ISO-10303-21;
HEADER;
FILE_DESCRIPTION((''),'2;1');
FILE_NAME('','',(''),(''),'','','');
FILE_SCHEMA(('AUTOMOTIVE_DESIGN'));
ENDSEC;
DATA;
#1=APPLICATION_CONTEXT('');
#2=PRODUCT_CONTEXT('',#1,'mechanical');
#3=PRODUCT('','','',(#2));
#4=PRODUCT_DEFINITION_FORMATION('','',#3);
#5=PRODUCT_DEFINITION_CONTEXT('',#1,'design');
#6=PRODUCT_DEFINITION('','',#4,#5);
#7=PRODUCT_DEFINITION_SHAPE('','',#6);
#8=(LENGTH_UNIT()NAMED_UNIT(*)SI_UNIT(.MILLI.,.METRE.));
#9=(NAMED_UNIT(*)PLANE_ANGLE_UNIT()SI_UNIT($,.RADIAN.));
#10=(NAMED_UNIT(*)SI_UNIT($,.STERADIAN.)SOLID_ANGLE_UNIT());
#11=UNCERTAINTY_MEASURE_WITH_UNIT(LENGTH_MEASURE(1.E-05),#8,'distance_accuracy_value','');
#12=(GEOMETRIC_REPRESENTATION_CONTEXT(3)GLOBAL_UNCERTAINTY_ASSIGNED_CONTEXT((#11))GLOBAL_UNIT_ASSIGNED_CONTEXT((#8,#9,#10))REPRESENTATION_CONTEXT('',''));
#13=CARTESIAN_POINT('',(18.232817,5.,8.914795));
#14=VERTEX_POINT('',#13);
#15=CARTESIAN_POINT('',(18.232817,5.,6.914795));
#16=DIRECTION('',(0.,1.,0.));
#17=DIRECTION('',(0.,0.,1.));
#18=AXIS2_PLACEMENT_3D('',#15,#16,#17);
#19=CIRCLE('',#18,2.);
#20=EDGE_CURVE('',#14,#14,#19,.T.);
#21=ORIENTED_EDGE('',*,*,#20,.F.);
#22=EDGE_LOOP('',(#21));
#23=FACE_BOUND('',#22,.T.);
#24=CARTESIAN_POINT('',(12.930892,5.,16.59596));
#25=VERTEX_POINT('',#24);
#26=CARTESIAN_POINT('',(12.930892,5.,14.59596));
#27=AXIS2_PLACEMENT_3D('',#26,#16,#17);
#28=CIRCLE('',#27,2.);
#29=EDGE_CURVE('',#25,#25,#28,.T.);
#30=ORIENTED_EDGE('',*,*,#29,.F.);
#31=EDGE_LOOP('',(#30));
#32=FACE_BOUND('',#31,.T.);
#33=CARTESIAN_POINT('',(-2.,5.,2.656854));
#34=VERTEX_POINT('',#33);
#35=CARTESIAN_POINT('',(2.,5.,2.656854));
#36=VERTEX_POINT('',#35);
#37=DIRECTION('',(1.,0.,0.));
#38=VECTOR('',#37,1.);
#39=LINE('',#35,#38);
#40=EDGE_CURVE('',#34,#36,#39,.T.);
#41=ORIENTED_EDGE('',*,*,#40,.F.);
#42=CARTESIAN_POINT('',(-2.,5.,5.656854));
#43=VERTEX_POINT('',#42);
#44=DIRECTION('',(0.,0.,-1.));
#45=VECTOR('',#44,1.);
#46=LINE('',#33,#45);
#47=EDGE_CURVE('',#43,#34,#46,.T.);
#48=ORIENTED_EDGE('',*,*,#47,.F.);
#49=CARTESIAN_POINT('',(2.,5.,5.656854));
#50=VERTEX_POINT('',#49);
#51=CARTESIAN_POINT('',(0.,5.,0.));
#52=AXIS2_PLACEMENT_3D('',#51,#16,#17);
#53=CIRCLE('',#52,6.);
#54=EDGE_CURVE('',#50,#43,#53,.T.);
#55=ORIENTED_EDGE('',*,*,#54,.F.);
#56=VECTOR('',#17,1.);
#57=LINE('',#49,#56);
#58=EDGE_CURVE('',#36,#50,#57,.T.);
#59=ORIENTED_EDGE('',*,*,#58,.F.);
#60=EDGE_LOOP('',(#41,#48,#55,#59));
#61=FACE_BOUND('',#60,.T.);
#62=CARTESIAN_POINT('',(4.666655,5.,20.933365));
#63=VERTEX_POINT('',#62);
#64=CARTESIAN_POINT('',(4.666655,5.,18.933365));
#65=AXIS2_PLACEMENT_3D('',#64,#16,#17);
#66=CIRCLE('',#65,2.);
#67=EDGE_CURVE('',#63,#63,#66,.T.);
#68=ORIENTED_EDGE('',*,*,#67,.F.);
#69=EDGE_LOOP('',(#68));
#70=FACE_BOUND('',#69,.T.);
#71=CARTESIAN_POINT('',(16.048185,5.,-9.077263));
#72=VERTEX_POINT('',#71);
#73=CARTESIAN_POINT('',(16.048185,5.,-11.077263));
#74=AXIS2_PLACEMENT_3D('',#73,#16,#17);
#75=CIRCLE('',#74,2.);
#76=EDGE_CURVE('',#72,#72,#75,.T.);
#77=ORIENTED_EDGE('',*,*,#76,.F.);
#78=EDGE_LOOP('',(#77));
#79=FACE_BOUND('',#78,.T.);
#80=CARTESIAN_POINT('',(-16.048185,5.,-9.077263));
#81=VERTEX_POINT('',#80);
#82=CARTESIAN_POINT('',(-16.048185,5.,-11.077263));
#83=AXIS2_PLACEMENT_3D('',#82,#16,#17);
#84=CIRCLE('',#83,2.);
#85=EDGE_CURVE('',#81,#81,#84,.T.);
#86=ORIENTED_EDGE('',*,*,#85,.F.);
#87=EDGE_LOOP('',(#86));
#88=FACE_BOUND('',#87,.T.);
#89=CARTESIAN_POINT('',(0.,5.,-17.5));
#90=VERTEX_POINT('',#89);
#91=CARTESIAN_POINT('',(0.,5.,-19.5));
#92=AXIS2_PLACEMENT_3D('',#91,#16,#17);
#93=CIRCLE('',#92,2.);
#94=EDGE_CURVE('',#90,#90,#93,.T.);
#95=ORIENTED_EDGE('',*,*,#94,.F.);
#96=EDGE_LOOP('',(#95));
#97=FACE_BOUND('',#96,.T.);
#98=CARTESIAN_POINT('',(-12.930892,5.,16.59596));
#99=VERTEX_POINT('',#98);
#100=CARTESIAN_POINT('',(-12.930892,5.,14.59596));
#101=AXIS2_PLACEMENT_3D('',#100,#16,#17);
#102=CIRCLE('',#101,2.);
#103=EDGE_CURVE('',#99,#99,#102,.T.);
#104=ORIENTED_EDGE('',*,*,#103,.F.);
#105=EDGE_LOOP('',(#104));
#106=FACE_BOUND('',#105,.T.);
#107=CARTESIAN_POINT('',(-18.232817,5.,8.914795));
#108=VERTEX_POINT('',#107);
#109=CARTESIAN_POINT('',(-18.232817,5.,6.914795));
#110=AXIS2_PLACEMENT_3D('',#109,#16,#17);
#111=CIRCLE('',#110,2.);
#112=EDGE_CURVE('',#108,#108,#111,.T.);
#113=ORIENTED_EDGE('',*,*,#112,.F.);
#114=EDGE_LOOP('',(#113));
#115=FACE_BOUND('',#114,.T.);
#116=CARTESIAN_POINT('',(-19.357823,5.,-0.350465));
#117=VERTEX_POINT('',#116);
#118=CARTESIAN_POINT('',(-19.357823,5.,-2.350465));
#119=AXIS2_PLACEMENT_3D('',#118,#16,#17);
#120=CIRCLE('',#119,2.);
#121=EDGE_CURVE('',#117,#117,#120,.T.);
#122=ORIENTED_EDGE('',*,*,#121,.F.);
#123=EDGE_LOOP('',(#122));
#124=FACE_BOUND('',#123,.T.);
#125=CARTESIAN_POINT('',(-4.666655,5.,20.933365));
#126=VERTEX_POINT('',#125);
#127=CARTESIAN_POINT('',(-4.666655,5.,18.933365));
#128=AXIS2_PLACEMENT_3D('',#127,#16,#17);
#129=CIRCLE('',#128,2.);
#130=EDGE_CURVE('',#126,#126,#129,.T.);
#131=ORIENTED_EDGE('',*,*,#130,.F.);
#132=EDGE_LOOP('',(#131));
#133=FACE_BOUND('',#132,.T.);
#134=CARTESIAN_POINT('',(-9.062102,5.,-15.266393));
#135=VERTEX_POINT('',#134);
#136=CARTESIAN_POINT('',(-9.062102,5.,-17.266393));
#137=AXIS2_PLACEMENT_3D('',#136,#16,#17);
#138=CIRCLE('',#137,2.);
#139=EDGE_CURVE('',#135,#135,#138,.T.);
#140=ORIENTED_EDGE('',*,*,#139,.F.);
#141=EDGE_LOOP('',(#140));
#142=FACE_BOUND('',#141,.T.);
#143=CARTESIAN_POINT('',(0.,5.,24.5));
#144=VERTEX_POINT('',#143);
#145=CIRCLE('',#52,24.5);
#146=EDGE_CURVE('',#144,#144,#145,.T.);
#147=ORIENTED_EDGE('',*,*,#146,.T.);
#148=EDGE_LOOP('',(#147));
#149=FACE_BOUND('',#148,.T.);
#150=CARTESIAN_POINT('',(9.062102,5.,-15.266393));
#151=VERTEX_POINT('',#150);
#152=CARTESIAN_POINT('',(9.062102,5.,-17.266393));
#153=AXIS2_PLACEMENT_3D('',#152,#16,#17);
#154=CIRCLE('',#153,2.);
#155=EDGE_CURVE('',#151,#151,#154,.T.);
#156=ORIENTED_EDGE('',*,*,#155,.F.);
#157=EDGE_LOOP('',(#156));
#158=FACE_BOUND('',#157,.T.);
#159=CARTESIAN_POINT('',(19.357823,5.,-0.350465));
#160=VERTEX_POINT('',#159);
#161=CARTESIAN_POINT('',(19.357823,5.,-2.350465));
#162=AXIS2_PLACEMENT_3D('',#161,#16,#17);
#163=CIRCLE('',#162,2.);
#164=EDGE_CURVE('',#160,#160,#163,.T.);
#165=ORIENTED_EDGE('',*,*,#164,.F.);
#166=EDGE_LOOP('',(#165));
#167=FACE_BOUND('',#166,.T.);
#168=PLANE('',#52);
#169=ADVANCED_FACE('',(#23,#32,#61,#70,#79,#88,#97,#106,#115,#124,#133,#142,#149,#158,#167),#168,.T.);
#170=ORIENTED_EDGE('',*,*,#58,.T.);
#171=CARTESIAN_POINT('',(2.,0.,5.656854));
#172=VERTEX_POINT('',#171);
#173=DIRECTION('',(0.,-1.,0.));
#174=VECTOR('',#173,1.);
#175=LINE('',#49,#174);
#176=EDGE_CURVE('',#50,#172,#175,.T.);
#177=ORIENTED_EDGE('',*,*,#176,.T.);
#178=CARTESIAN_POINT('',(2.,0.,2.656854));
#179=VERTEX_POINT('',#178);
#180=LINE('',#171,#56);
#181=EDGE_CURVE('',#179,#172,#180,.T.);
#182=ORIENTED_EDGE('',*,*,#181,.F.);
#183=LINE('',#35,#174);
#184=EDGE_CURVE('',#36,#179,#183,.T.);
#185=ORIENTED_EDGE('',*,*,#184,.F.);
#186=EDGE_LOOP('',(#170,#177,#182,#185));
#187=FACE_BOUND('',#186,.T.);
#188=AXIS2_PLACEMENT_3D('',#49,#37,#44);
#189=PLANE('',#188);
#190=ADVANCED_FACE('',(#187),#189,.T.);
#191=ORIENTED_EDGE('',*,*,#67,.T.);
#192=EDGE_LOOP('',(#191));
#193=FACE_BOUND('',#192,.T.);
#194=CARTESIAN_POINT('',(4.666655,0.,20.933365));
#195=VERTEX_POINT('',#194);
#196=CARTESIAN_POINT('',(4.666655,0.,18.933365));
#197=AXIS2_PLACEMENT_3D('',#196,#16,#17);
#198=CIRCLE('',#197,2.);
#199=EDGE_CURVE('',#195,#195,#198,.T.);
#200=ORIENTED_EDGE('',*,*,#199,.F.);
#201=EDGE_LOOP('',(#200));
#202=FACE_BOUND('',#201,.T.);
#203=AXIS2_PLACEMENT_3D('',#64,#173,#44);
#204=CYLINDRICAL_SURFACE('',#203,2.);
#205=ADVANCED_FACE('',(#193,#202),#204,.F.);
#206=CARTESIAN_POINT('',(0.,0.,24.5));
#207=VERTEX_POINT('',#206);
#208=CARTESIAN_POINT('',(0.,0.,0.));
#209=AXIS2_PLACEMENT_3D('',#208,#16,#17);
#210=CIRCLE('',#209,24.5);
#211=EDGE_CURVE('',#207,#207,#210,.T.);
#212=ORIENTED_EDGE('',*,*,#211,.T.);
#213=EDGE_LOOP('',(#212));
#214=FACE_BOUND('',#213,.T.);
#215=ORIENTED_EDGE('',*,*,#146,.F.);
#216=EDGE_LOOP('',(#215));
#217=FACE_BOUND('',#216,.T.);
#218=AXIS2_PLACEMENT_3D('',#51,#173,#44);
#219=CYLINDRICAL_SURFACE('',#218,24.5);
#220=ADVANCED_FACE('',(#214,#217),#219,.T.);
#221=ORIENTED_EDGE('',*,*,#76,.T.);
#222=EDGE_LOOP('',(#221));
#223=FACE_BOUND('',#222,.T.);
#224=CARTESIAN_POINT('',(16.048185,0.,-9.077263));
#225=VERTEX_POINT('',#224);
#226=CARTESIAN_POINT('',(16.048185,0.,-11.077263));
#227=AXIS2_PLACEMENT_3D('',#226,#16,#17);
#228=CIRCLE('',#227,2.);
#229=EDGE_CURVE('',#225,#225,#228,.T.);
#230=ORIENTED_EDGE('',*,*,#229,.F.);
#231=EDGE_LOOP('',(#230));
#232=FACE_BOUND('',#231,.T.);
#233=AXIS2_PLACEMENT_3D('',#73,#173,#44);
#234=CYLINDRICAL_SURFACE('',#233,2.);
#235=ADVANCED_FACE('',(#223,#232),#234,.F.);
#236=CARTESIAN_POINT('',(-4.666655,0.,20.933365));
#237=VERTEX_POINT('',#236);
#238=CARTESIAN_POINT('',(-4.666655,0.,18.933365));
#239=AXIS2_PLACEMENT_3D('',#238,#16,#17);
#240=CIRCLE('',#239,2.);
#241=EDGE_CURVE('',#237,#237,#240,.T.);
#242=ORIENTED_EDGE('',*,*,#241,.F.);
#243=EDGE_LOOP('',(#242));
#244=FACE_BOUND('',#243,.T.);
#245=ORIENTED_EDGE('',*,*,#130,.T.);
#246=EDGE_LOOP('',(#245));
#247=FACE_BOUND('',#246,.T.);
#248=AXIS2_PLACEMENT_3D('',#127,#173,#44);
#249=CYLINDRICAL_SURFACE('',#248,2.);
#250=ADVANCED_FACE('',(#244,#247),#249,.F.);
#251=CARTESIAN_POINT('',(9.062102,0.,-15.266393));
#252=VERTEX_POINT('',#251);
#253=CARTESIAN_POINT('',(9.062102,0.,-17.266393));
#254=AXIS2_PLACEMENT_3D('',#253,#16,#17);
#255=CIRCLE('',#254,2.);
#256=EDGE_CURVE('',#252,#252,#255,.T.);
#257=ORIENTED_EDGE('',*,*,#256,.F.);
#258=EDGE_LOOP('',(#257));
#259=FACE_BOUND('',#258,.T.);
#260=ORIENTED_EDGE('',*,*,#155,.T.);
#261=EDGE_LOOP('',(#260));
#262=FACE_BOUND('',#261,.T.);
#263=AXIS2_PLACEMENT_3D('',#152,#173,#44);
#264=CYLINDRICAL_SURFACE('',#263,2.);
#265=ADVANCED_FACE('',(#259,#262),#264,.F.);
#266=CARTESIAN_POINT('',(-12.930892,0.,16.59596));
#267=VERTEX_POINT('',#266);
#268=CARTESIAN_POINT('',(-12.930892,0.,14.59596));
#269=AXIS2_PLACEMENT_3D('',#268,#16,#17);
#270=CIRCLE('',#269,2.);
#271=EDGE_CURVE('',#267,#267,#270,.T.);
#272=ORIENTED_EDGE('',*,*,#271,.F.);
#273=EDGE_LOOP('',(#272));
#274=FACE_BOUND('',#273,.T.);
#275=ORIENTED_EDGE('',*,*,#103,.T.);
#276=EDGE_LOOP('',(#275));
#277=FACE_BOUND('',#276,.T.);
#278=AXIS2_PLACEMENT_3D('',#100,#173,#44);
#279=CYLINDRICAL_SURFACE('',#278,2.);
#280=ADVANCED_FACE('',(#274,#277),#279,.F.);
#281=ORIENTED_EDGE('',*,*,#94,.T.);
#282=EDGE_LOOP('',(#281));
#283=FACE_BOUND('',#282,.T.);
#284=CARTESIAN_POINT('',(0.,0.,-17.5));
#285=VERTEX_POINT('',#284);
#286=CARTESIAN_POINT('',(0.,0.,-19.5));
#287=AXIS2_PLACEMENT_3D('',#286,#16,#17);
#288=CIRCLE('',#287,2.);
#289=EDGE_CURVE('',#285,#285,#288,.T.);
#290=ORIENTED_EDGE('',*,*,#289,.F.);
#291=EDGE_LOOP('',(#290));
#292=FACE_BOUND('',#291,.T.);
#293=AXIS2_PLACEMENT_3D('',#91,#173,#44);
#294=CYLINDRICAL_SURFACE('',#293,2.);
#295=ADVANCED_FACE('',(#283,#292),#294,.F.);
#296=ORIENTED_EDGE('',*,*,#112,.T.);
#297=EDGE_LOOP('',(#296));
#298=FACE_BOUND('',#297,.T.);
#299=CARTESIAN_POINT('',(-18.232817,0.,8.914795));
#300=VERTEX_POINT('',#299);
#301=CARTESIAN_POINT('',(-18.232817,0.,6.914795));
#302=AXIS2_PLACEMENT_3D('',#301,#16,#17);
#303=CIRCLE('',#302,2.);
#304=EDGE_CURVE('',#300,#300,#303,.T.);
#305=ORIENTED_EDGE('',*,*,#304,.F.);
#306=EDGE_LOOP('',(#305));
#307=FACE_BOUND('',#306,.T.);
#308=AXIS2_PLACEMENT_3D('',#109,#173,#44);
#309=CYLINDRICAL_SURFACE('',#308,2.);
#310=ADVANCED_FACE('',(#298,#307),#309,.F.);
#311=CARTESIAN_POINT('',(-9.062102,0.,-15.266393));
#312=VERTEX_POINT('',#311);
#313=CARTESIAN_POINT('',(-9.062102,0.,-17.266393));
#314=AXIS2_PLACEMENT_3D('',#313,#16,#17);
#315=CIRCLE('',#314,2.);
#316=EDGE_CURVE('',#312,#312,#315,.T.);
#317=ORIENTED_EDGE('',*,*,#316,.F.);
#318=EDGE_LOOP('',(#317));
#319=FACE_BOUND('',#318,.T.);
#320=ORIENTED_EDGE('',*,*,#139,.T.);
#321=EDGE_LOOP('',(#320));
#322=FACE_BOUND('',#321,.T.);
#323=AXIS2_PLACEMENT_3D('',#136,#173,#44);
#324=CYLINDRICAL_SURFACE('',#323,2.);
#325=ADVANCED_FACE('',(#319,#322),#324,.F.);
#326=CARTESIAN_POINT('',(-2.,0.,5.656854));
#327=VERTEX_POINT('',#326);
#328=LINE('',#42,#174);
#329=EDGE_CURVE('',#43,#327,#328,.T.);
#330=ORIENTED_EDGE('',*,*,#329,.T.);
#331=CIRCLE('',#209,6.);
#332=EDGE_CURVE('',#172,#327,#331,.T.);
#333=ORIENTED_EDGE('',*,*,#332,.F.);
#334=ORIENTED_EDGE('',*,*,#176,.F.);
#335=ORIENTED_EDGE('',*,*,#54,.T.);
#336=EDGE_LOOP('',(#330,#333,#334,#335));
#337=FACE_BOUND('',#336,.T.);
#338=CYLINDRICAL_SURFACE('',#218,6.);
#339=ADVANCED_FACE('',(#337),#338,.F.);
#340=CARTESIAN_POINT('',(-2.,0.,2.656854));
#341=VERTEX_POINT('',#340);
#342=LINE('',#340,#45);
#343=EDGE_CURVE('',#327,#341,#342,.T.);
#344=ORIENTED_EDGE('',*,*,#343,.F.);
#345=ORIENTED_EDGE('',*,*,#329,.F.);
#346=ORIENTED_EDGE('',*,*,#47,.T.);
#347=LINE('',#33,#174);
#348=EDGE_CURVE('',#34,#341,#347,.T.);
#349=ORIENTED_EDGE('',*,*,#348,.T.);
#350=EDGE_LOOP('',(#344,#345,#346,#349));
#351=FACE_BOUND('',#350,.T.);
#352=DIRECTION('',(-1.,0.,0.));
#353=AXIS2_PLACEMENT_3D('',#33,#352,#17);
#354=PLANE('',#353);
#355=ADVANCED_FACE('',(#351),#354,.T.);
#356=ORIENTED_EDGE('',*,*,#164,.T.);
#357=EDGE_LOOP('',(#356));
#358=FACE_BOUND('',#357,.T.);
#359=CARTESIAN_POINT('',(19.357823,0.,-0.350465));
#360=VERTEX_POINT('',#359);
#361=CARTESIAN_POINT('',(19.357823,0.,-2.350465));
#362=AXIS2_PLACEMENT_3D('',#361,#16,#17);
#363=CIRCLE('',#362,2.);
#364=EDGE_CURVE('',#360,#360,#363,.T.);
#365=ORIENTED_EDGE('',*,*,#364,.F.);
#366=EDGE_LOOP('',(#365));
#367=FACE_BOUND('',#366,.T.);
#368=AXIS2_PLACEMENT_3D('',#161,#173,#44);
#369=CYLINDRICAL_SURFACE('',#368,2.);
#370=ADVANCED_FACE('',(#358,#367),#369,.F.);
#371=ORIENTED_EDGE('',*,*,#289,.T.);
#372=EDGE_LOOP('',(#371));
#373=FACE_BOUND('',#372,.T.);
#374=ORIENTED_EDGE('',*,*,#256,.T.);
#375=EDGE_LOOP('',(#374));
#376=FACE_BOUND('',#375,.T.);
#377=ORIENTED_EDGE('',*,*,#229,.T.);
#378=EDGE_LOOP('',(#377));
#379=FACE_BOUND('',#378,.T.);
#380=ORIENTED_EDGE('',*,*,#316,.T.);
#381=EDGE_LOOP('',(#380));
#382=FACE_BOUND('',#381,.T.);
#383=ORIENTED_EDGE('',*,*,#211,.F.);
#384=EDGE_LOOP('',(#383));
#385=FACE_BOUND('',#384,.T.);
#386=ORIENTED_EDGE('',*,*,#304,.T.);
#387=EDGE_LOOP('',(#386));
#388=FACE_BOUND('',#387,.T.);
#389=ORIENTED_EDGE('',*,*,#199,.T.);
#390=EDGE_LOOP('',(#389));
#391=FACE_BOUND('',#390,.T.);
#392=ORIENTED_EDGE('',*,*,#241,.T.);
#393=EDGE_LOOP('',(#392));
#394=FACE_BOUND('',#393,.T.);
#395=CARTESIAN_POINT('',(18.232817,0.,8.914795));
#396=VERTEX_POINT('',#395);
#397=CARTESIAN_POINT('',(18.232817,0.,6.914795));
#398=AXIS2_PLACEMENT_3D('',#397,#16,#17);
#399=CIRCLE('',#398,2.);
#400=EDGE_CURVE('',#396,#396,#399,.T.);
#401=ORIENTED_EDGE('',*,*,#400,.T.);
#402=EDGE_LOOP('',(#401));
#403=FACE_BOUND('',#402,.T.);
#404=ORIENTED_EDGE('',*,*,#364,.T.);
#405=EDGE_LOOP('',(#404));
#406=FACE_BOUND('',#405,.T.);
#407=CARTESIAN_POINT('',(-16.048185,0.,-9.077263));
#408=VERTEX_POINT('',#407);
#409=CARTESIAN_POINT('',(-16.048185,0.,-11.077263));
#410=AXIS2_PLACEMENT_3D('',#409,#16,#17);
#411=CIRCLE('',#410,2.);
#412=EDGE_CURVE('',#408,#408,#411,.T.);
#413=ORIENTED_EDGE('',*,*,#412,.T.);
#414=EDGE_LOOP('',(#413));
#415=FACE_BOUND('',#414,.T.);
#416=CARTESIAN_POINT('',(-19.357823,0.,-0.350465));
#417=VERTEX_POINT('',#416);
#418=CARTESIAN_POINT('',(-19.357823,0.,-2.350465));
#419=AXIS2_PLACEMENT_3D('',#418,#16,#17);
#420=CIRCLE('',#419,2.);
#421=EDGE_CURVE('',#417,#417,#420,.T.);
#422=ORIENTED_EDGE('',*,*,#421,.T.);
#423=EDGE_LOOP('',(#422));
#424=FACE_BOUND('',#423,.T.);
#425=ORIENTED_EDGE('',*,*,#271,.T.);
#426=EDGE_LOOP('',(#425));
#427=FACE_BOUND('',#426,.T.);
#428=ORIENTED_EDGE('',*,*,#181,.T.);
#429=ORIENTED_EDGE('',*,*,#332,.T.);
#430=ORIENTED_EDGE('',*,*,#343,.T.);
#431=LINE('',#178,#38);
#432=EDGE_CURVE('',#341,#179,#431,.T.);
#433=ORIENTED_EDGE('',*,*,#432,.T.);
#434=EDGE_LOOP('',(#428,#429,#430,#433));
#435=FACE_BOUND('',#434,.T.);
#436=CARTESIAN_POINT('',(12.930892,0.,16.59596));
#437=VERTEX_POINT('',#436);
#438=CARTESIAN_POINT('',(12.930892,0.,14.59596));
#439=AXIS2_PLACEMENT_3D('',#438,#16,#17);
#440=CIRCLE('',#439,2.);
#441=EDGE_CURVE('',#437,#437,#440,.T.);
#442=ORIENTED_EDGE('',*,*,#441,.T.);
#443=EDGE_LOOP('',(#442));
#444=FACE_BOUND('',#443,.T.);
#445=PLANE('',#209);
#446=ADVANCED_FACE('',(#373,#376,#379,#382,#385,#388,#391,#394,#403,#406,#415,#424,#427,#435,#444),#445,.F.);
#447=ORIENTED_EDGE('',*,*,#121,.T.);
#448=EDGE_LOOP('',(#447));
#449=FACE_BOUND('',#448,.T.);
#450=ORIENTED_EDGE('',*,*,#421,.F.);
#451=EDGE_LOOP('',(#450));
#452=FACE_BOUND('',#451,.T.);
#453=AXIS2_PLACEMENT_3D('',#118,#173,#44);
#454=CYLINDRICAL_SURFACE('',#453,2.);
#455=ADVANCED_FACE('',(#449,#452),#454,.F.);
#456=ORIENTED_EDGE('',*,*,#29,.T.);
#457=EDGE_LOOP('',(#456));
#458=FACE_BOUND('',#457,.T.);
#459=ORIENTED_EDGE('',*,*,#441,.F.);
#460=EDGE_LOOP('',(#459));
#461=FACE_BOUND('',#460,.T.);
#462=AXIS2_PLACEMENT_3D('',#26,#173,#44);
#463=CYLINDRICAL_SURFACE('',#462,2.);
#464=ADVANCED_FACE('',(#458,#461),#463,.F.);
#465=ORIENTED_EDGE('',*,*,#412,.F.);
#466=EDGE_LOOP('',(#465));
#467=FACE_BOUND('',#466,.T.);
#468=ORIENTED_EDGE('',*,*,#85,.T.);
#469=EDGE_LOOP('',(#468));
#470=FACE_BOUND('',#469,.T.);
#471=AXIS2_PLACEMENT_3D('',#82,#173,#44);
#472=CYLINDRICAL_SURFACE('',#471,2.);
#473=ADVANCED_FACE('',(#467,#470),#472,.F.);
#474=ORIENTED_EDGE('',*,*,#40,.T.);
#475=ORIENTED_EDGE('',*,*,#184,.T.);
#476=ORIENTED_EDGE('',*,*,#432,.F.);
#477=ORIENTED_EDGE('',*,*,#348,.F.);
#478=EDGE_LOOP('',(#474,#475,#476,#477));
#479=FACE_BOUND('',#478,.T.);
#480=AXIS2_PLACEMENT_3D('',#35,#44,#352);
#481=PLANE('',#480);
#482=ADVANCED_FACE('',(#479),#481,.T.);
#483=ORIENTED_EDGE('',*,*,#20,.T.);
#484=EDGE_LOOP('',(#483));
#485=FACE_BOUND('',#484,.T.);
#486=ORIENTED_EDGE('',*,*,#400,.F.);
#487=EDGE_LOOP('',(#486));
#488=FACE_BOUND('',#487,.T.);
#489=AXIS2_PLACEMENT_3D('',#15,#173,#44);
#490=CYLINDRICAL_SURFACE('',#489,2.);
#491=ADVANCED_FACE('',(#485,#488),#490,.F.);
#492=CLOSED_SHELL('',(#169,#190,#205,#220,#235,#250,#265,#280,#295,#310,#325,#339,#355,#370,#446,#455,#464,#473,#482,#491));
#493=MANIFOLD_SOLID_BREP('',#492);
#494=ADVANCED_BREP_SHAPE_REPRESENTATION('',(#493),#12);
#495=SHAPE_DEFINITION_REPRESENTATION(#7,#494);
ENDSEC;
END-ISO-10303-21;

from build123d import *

# Parameters (mm, degrees)
SKETCH1_R           = 24.5
SKETCH1_R_2         = 2
BOSS_EXTRUDE1_DEPTH = 5


with BuildPart() as part:
    # Sketch1 → Boss-Extrude1 (new body)
    with BuildSketch(Plane(origin=(0, 0, 0), x_dir=(1, 0, 0), z_dir=(0, 1, 0))):
        with Locations(Location((0, 0, 0), (0, 0, 270))):
            Circle(SKETCH1_R)
        with Locations(Location((0, 19.5, 0), (0, 0, 270))):
            Circle(SKETCH1_R_2, mode=Mode.SUBTRACT)
        with Locations(Location((9.062101855, 17.2663925, 0), (0, 0, 270))):
            Circle(SKETCH1_R_2, mode=Mode.SUBTRACT)
        with Locations(Location((16.048185385, 11.077262561, 0), (0, 0, 270))):
            Circle(SKETCH1_R_2, mode=Mode.SUBTRACT)
        with Locations(Location((19.357823045, 2.350465265, 0), (0, 0, 270))):
            Circle(SKETCH1_R_2, mode=Mode.SUBTRACT)
        with Locations(Location((18.232816732, -6.914795297, 0), (0, 0, 270))):
            Circle(SKETCH1_R_2, mode=Mode.SUBTRACT)
        with Locations(Location((12.930891836, -14.595959589, 0), (0, 0, 270))):
            Circle(SKETCH1_R_2, mode=Mode.SUBTRACT)
        with Locations(Location((4.666655454, -18.93336544, 0), (0, 0, 270))):
            Circle(SKETCH1_R_2, mode=Mode.SUBTRACT)
        with Locations(Location((-4.666655454, -18.93336544, 0), (0, 0, 270))):
            Circle(SKETCH1_R_2, mode=Mode.SUBTRACT)
        with Locations(Location((-12.930891836, -14.595959589, 0), (0, 0, 270))):
            Circle(SKETCH1_R_2, mode=Mode.SUBTRACT)
        with Locations(Location((-18.232816732, -6.914795297, 0), (0, 0, 270))):
            Circle(SKETCH1_R_2, mode=Mode.SUBTRACT)
        with Locations(Location((-19.357823045, 2.350465265, 0), (0, 0, 270))):
            Circle(SKETCH1_R_2, mode=Mode.SUBTRACT)
        with Locations(Location((-16.048185385, 11.077262561, 0), (0, 0, 270))):
            Circle(SKETCH1_R_2, mode=Mode.SUBTRACT)
        with Locations(Location((-9.062101855, 17.2663925, 0), (0, 0, 270))):
            Circle(SKETCH1_R_2, mode=Mode.SUBTRACT)
        with BuildLine():
            Line((2, -5.656854249), (2, -2.656854249))
            Line((2, -2.656854249), (-2, -2.656854249))
            Line((-2, -2.656854249), (-2, -5.656854249))
            ThreePointArc((-2, -5.656854249), (0, 6), (2, -5.656854249))
        make_face(mode=Mode.SUBTRACT)
    extrude(amount=BOSS_EXTRUDE1_DEPTH)


solid = part.part
